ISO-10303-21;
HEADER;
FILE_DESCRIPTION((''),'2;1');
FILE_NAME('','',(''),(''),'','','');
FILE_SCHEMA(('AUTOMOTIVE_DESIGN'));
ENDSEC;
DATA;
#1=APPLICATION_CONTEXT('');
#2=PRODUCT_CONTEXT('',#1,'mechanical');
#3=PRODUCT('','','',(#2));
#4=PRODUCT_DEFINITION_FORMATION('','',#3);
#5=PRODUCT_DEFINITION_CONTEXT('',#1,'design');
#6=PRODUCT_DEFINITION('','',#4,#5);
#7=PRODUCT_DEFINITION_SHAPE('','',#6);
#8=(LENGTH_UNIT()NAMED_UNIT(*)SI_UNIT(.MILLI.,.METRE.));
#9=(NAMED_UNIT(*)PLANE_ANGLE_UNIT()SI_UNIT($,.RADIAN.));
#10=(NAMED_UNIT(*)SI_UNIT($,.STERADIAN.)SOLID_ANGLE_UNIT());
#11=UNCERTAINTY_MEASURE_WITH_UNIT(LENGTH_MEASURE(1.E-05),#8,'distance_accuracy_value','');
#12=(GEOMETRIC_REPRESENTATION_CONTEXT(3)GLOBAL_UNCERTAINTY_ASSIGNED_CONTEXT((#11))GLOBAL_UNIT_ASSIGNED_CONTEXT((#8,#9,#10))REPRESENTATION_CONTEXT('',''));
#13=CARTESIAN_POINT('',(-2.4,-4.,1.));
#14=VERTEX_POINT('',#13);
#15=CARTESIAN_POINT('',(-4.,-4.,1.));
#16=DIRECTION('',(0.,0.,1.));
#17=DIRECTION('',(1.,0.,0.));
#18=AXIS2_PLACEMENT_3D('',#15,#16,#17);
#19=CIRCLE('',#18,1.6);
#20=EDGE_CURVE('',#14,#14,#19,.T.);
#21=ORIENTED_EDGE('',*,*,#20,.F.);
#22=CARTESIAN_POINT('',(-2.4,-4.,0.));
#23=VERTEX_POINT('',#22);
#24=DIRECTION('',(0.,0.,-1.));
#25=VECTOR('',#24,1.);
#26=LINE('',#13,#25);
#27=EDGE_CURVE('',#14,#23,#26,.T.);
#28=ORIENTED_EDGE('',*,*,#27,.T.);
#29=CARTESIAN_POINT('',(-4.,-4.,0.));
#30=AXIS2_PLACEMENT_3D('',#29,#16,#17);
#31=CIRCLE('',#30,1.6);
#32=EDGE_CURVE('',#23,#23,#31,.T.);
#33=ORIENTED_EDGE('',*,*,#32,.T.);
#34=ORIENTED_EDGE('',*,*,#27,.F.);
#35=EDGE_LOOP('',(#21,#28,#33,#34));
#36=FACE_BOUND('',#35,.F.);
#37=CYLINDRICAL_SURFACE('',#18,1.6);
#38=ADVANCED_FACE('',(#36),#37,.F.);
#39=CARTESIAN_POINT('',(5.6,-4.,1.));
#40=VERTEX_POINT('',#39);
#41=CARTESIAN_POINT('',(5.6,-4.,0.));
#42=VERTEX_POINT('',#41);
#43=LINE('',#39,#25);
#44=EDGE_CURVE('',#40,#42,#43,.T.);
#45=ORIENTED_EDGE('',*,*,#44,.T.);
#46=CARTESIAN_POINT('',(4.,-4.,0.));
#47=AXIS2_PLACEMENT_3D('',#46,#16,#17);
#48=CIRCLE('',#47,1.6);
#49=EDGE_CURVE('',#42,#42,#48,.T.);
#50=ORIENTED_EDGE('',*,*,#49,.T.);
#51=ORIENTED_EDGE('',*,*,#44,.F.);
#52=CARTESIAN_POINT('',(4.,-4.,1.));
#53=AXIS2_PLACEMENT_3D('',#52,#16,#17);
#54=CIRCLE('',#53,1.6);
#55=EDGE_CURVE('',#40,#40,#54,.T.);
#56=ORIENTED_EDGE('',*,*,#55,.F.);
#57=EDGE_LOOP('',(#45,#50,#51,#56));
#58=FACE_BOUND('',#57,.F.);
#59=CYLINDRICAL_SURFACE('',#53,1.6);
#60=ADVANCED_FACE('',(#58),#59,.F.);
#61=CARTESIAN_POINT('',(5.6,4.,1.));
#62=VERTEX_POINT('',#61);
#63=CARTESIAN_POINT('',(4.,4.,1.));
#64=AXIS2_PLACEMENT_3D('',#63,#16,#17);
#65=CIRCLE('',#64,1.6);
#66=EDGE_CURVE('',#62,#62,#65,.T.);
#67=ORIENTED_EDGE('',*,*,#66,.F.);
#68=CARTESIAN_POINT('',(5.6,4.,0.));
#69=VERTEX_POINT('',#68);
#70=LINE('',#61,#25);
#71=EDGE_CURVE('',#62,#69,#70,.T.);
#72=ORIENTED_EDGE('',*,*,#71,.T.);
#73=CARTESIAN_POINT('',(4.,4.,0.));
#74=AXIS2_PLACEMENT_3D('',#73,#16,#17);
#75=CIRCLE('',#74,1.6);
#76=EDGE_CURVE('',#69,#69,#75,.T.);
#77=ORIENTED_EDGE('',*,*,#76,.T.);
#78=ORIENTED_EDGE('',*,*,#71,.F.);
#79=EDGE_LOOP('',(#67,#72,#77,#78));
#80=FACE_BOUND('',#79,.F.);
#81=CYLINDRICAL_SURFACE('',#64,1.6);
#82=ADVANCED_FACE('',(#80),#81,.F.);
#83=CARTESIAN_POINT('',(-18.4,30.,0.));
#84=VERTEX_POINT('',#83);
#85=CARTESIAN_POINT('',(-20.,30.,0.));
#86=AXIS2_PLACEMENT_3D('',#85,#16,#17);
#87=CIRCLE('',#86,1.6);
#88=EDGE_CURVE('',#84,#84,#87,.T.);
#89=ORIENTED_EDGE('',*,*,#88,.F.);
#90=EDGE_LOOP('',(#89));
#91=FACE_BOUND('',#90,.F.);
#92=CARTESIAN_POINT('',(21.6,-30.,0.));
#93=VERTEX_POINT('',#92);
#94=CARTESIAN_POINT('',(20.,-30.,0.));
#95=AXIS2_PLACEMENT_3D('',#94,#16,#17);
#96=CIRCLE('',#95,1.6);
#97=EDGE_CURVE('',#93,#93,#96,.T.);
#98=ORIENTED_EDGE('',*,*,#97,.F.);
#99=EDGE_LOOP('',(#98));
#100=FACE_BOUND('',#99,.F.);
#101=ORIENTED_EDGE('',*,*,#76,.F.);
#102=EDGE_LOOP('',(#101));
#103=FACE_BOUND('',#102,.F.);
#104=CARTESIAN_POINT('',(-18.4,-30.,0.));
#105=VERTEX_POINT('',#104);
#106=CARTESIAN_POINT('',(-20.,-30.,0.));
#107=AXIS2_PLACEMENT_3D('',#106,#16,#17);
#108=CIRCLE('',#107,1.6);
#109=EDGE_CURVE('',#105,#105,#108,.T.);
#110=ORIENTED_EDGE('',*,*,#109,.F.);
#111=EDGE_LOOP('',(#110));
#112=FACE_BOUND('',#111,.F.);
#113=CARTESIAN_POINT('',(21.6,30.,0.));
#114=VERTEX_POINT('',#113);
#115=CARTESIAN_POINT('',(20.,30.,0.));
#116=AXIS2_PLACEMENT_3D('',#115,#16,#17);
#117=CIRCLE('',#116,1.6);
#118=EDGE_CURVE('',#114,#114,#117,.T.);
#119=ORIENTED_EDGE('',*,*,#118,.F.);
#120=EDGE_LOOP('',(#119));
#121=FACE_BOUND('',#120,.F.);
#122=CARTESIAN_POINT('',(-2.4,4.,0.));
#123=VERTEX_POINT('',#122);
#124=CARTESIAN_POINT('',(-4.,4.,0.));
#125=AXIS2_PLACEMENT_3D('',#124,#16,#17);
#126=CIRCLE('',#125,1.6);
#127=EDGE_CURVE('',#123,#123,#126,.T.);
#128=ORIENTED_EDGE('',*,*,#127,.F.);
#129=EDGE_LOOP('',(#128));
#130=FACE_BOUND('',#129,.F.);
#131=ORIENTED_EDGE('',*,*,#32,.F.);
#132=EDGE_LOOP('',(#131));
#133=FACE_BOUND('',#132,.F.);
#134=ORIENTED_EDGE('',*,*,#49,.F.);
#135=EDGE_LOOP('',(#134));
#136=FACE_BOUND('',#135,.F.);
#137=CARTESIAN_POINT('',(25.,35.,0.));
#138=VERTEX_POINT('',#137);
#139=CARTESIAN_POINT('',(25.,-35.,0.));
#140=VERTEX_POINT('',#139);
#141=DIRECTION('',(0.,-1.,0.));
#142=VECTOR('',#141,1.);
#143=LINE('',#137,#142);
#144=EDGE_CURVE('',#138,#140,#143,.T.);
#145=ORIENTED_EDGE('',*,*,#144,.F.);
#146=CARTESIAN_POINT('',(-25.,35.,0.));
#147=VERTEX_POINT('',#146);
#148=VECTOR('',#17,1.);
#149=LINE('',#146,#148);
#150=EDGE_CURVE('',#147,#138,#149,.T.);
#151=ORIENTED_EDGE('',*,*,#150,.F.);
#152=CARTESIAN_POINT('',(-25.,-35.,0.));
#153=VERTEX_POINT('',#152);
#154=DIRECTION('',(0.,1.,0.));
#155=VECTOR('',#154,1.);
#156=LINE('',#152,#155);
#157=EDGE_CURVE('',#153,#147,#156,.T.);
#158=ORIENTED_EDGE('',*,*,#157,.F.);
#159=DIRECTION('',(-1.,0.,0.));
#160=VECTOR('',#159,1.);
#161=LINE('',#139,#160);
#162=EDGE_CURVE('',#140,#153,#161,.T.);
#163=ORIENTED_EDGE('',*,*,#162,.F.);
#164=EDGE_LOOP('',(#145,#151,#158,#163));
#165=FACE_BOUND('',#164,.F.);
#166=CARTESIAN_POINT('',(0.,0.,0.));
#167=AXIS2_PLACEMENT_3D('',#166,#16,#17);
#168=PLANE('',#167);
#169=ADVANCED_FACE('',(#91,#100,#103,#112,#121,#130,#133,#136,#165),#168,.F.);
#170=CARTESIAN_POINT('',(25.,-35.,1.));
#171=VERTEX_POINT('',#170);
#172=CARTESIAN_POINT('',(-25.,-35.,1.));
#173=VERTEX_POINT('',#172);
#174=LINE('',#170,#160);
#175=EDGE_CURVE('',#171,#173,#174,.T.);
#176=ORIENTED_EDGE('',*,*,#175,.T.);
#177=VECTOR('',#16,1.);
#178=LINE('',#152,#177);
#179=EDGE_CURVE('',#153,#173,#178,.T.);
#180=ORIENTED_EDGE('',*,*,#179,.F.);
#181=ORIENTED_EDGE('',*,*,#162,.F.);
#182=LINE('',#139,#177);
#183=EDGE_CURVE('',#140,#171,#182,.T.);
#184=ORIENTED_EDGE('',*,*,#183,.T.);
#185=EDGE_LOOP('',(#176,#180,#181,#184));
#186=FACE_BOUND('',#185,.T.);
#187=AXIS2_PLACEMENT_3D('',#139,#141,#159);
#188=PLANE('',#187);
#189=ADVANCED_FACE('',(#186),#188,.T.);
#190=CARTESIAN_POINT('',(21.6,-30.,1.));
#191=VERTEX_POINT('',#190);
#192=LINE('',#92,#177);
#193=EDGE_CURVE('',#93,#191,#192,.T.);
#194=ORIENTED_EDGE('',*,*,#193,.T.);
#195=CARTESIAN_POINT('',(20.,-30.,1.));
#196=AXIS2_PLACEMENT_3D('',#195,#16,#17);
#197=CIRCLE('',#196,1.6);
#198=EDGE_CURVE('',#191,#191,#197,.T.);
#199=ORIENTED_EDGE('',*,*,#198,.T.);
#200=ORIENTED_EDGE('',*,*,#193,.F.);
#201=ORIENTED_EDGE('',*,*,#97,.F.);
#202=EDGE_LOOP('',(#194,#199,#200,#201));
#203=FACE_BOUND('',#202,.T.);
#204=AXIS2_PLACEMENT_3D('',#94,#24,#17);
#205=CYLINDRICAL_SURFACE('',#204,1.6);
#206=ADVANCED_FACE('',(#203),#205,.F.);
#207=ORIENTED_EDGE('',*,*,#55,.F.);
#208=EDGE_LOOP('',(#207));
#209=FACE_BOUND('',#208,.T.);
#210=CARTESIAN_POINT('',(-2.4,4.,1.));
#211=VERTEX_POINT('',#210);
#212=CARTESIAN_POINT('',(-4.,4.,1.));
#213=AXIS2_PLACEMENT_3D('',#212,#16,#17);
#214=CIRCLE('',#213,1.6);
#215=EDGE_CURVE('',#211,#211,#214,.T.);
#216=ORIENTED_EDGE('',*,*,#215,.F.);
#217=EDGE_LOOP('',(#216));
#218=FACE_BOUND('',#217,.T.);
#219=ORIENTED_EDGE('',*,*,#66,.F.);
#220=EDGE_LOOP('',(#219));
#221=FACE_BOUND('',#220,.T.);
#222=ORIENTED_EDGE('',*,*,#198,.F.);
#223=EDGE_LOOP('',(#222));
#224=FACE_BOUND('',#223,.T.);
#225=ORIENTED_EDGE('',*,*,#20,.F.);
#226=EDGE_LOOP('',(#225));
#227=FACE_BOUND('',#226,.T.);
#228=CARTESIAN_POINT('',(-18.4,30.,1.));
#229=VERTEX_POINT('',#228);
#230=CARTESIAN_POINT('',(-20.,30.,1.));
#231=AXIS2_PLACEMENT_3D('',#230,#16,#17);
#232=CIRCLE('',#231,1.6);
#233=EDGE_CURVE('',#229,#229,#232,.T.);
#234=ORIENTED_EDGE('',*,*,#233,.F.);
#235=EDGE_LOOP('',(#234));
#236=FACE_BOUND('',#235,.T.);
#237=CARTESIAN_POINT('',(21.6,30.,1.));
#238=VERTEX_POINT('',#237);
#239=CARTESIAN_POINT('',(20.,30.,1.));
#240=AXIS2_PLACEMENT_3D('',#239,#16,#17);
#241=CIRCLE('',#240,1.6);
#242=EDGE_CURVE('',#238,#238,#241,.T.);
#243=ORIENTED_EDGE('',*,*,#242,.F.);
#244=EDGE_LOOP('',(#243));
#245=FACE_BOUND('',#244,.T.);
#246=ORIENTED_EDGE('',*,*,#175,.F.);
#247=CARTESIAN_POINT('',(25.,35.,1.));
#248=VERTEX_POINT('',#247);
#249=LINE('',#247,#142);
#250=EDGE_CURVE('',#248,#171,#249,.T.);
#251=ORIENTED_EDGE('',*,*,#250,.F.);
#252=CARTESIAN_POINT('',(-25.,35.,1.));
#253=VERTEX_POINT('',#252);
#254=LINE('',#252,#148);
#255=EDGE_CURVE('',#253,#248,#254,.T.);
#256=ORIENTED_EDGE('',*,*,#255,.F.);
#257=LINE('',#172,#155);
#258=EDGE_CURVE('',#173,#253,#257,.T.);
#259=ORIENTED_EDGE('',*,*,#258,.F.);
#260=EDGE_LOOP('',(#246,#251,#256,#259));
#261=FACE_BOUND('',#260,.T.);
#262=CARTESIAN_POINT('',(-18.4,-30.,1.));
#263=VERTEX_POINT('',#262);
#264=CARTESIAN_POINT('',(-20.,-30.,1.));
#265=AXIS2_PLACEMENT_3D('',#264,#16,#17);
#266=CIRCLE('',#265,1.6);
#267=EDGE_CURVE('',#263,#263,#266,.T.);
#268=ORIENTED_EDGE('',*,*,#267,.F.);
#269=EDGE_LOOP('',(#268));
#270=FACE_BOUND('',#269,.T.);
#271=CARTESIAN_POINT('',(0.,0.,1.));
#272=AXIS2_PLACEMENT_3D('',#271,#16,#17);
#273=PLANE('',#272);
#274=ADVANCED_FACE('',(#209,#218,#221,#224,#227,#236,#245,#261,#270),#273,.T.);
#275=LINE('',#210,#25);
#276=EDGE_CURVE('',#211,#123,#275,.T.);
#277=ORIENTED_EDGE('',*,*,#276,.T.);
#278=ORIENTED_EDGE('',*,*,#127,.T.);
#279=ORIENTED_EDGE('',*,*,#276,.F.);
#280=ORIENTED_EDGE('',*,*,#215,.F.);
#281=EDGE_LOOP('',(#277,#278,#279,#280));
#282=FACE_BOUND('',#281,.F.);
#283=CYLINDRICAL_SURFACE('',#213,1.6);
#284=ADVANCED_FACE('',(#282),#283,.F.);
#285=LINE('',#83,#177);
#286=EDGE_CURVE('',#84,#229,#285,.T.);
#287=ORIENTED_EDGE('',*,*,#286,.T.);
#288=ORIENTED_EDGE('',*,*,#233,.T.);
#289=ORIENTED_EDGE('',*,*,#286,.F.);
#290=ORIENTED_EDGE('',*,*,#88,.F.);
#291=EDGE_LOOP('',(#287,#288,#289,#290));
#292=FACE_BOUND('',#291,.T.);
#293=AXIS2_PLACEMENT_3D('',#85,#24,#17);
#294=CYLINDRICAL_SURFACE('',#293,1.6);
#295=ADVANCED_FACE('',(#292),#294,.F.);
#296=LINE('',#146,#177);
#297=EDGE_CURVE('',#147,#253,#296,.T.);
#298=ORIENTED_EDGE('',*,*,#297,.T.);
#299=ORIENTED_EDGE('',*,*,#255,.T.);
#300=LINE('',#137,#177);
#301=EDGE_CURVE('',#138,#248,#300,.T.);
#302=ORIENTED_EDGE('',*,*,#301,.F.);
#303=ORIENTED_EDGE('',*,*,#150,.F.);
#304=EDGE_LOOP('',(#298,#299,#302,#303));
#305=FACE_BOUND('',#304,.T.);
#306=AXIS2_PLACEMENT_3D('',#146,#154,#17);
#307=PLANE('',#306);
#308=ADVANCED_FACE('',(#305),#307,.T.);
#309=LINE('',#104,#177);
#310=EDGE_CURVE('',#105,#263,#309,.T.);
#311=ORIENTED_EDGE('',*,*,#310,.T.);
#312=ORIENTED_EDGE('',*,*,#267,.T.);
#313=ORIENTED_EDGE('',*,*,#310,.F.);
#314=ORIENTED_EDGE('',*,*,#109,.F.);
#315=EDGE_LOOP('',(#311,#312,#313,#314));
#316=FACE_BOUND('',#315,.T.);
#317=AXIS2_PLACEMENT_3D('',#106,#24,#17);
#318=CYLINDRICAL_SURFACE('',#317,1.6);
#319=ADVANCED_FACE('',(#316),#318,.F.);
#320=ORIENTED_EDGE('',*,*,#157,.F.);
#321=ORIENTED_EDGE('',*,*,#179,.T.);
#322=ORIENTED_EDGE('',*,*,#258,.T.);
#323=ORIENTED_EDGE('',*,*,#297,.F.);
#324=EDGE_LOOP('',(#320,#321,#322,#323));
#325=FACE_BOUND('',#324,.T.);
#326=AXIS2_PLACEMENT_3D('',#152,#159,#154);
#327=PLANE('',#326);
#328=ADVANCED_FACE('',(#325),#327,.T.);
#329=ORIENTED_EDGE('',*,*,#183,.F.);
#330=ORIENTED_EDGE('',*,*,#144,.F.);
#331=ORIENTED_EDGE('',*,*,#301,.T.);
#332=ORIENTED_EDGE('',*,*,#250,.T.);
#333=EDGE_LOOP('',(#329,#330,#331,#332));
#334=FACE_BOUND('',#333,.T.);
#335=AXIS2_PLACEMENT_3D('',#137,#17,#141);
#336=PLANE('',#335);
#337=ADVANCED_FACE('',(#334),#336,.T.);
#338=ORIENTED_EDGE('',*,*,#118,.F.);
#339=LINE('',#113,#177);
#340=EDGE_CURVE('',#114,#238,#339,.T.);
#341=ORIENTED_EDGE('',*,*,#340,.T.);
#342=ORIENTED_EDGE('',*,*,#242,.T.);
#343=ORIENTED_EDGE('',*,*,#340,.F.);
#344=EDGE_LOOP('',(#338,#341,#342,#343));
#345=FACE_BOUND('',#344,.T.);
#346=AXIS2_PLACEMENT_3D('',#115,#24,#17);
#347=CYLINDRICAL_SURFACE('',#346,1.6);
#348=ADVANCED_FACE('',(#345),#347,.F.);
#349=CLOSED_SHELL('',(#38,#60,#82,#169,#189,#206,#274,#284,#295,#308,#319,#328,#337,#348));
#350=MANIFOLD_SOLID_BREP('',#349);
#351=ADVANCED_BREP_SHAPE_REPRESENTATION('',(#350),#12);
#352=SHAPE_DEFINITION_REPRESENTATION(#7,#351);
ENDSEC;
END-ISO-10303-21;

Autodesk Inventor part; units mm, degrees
ref_plane "YZ Plane" through (0, 0, 0) normal (1, 0, 0) x (0, 1, 0)
ref_plane "XZ Plane" through (0, 0, 0) normal (0, 1, 0) x (-1, 0, 0)
ref_plane "XY Plane" through (0, 0, 0) normal (0, 0, 1) x (1, 0, 0)
sketch "Sketch1" plane through (0, 0, 0) normal (0, 0, 1) x (1, 0, 0)
  line L0 (-25, 35) -> (25, 35)
  line L1 (25, 35) -> (25, -35)
  line L2 (25, -35) -> (-25, -35)
  line L3 (-25, -35) -> (-25, 35)
  line L4 (-25, 35) -> (25, -35) construction
  line L5 (25, 35) -> (-25, -35) construction
  circle A0 centre (-20, 30) radius 1.6
  line L6 (0, 0) -> (0, 8.6163)
  line L7 (0, 0) -> (6.049, 0)
  circle A1 centre (20, 30) radius 1.6
  circle A2 centre (-20, -30) radius 1.6
  circle A3 centre (20, -30) radius 1.6
  dimension "d0" = 50
  dimension "d1" = 70
  dimension "d12" = 3.2
  dimension "d13" = 5
  dimension "d18" = 5
extrude "Plate1" add sketch "Sketch1" along normal blind 1
sketch "Sketch2" plane through (0, 0, 1) normal (0, 0, 1) x (1, 0, 0)
  circle A0 centre (-4, 4) radius 1.6
  line L0 (-25, 35) -> (25, 35) projected
  line L1 (0, 0) -> (10.5452, 0)
  line L2 (-4, 4) -> (-0.3431, 4)
  line L3 (-0.3431, 4) -> (-0.3431, 2.4)
  circle A1 centre (4, 4) radius 1.6
  circle A2 centre (-4, -4) radius 1.6
  circle A3 centre (4, -4) radius 1.6
  point P0 (0, 35)
  dimension "d20" = 3.2
  dimension "d24" = 8
  dimension "d27" = 8
  dimension "d30" = 4
  dimension "d31" = 4
extrude "Extrusion1" cut sketch "Sketch2" against normal blind 10
equation "\"d2\" = 厚度"
equation "\"折彎半徑\" = 厚度"
equation "\"折彎離隙寬度\" = 厚度"
equation "\"折彎離隙深度\" = 0.5 * 厚度"
equation "\"轉角離隙大小\" = 4 * 厚度"
equation "\"最小剩餘\" = 2 * 厚度"
equation "\"轉移半徑\" = 折彎半徑"
equation "\"Jacobi半徑大小\" = 折彎半徑"
equation "\"間隙大小\" = 厚度"
equation "\"厚度\" = 1"
properties part number "signal_combiner_plate"
